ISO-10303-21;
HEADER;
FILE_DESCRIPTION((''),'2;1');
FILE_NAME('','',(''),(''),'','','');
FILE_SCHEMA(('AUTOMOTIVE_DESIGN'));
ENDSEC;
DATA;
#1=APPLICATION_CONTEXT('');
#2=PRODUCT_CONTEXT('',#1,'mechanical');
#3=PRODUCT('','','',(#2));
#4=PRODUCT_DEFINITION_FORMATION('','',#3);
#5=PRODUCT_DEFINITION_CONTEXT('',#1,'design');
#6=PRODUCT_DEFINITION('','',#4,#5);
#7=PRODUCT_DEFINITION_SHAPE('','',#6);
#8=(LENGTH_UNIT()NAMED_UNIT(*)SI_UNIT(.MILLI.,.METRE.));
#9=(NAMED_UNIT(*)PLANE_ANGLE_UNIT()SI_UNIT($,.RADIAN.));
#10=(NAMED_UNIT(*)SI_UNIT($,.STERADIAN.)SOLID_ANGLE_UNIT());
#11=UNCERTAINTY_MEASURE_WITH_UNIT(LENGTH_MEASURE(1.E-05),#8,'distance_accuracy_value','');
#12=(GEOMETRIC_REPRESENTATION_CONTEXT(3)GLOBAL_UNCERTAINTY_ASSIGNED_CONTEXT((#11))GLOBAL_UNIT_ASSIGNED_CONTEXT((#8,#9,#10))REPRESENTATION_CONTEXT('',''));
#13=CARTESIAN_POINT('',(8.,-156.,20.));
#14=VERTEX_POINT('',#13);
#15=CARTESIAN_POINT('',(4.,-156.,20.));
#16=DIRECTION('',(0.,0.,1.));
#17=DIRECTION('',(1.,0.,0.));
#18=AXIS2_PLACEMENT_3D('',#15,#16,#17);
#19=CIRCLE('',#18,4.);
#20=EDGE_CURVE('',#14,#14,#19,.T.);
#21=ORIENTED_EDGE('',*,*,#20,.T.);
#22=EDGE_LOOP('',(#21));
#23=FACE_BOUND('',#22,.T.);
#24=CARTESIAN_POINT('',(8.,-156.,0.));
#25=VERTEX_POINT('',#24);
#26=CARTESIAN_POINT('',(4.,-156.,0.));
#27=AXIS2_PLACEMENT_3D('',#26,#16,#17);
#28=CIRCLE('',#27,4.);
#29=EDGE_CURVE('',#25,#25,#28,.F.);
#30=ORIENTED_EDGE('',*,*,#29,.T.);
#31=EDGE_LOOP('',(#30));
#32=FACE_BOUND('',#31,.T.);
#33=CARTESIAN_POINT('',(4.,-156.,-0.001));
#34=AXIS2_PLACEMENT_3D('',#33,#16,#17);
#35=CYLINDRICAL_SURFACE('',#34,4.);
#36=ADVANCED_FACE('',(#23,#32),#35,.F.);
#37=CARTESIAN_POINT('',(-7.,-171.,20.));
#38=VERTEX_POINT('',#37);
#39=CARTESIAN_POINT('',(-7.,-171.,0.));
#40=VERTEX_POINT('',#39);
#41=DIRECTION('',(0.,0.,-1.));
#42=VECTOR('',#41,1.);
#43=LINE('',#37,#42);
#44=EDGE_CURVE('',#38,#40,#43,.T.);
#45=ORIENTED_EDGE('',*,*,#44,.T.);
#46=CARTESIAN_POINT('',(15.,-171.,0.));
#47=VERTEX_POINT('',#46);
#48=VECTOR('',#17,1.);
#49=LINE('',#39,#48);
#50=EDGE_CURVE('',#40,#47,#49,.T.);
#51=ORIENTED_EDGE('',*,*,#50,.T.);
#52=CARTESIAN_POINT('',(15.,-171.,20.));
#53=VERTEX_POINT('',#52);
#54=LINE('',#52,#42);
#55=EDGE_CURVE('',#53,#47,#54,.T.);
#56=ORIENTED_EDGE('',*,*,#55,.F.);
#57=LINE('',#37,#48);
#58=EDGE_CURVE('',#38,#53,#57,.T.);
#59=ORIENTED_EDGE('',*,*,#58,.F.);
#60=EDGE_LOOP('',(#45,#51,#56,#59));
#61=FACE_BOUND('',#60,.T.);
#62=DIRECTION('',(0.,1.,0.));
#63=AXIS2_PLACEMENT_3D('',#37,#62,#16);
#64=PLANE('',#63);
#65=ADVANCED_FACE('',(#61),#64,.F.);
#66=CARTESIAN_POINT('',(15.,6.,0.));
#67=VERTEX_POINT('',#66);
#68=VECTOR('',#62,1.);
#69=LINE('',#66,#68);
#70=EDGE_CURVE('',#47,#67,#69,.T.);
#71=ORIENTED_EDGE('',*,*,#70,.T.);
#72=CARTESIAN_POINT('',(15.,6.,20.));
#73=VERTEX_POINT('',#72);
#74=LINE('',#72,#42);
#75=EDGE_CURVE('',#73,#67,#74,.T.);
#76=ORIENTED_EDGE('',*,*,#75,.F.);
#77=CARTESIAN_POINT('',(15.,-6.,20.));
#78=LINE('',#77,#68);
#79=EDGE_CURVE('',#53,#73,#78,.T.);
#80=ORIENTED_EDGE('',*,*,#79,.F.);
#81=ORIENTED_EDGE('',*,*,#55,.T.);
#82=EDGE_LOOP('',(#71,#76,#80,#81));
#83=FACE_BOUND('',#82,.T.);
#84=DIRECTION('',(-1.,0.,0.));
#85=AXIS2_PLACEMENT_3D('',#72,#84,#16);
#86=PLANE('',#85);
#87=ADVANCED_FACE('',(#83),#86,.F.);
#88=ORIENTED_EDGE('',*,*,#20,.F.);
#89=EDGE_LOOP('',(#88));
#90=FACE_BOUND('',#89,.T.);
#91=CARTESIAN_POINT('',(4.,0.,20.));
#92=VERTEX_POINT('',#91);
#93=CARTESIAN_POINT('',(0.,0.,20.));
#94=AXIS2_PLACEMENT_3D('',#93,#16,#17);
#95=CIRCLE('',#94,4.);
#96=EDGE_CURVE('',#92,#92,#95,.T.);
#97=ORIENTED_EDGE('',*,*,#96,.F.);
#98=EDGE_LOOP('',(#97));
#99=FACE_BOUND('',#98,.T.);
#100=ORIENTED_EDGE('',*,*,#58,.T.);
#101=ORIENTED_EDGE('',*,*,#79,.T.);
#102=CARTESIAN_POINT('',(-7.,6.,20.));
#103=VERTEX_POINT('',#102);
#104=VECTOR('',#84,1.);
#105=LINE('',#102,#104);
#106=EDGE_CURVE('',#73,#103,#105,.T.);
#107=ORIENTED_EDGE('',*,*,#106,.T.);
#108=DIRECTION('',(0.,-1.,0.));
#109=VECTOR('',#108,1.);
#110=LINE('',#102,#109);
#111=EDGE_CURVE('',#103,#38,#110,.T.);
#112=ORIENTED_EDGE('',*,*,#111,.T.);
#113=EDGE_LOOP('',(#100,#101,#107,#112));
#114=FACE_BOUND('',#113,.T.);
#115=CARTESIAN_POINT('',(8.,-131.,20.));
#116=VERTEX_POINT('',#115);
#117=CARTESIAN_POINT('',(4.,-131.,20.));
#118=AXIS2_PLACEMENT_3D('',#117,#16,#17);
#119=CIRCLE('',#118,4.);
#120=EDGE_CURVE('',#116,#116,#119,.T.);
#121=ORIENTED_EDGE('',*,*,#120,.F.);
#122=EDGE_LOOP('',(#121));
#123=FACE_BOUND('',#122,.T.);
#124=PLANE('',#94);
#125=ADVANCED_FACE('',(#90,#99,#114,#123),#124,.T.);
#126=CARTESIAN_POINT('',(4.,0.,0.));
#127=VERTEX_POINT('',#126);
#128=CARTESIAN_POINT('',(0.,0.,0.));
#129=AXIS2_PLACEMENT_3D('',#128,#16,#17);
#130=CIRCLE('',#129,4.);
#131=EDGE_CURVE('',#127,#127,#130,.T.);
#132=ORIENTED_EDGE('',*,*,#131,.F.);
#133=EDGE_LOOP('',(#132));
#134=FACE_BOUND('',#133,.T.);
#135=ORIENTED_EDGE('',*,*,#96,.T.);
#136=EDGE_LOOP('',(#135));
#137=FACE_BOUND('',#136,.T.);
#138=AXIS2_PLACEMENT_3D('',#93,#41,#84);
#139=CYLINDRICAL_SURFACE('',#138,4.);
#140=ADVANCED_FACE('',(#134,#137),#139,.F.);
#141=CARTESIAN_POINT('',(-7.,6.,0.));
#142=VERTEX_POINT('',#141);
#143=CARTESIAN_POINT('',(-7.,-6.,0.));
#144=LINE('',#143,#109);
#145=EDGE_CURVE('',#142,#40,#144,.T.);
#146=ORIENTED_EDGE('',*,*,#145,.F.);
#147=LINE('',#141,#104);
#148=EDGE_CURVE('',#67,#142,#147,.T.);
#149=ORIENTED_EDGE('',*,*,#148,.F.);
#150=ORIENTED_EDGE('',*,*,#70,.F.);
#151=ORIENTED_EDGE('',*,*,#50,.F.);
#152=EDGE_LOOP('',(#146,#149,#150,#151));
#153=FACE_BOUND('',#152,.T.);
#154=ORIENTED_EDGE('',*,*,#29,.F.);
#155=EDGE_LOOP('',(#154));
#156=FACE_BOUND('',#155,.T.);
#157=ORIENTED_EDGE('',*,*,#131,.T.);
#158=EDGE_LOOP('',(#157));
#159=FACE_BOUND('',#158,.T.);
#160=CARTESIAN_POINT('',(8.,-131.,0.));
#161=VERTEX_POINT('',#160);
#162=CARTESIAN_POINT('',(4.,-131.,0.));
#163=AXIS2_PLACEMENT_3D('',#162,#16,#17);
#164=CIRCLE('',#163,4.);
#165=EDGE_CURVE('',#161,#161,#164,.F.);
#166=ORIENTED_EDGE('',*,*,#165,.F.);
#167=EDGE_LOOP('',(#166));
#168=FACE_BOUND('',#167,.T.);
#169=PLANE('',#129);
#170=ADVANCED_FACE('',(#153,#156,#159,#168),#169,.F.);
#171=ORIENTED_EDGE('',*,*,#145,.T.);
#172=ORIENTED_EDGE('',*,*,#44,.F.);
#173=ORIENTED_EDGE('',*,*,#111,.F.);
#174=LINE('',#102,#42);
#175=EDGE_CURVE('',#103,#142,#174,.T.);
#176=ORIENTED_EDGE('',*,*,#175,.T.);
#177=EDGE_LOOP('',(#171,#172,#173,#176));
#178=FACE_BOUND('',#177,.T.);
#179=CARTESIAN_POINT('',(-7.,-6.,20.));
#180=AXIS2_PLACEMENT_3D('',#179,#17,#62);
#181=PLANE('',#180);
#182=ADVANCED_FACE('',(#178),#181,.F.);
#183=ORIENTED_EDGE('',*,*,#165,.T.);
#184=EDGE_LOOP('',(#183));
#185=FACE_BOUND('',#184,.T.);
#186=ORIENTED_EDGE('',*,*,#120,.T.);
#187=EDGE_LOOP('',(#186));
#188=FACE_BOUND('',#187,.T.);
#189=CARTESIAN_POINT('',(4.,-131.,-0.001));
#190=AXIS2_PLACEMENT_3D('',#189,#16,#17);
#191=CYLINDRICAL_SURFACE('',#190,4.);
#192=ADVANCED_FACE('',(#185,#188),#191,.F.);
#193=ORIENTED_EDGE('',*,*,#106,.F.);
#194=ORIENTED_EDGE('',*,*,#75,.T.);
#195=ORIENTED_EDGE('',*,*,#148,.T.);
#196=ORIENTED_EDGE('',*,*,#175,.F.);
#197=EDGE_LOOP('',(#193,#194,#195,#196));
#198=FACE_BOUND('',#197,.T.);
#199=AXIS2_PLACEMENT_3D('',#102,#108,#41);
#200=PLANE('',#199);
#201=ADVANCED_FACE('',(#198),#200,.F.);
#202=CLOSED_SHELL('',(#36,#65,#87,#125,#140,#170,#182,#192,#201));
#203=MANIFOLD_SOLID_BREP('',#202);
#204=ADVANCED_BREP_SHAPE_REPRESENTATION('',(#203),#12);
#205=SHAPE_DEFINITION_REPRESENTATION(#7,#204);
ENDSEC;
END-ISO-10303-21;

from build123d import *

# Parameters (mm, degrees)
SKETCH_4_R          = 4
EXTRUDE_3_DEPTH     = 20
CUT_EXTRUDE_1_REACH = 174.818
SKETCH_5_R          = 4


with BuildPart() as part:
    # 草图4 → 凸台-拉伸3 (new body)
    with BuildSketch(Plane.XY):
        Polygon((-7, 6), (15, 6), (15, -6), (15, -171), (-7, -171), (-7, -6), align=None)
        Circle(SKETCH_4_R, mode=Mode.SUBTRACT)
    extrude(amount=EXTRUDE_3_DEPTH)

    # 草图5 → 切除-拉伸1 (cut, up to next)
    with BuildSketch(Plane.XY.offset(20), mode=Mode.PRIVATE) as cut_extrude_1_sk1:
        with Locations((4, -131)):
            Circle(SKETCH_5_R)
    cut_extrude_1_tool1 = extrude(cut_extrude_1_sk1.sketch, amount=-CUT_EXTRUDE_1_REACH, mode=Mode.PRIVATE) & part.part
    # 草图5 → 切除-拉伸1 (cut, up to next)
    with BuildSketch(Plane.XY.offset(20), mode=Mode.PRIVATE) as cut_extrude_1_sk2:
        with Locations((4, -156)):
            Circle(SKETCH_5_R)
    cut_extrude_1_tool2 = extrude(cut_extrude_1_sk2.sketch, amount=-CUT_EXTRUDE_1_REACH, mode=Mode.PRIVATE) & part.part
    add(cut_extrude_1_tool1.solids().sort_by_distance((4, -131, 20))[0], mode=Mode.SUBTRACT)
    add(cut_extrude_1_tool2.solids().sort_by_distance((4, -156, 20))[0], mode=Mode.SUBTRACT)


solid = part.part
